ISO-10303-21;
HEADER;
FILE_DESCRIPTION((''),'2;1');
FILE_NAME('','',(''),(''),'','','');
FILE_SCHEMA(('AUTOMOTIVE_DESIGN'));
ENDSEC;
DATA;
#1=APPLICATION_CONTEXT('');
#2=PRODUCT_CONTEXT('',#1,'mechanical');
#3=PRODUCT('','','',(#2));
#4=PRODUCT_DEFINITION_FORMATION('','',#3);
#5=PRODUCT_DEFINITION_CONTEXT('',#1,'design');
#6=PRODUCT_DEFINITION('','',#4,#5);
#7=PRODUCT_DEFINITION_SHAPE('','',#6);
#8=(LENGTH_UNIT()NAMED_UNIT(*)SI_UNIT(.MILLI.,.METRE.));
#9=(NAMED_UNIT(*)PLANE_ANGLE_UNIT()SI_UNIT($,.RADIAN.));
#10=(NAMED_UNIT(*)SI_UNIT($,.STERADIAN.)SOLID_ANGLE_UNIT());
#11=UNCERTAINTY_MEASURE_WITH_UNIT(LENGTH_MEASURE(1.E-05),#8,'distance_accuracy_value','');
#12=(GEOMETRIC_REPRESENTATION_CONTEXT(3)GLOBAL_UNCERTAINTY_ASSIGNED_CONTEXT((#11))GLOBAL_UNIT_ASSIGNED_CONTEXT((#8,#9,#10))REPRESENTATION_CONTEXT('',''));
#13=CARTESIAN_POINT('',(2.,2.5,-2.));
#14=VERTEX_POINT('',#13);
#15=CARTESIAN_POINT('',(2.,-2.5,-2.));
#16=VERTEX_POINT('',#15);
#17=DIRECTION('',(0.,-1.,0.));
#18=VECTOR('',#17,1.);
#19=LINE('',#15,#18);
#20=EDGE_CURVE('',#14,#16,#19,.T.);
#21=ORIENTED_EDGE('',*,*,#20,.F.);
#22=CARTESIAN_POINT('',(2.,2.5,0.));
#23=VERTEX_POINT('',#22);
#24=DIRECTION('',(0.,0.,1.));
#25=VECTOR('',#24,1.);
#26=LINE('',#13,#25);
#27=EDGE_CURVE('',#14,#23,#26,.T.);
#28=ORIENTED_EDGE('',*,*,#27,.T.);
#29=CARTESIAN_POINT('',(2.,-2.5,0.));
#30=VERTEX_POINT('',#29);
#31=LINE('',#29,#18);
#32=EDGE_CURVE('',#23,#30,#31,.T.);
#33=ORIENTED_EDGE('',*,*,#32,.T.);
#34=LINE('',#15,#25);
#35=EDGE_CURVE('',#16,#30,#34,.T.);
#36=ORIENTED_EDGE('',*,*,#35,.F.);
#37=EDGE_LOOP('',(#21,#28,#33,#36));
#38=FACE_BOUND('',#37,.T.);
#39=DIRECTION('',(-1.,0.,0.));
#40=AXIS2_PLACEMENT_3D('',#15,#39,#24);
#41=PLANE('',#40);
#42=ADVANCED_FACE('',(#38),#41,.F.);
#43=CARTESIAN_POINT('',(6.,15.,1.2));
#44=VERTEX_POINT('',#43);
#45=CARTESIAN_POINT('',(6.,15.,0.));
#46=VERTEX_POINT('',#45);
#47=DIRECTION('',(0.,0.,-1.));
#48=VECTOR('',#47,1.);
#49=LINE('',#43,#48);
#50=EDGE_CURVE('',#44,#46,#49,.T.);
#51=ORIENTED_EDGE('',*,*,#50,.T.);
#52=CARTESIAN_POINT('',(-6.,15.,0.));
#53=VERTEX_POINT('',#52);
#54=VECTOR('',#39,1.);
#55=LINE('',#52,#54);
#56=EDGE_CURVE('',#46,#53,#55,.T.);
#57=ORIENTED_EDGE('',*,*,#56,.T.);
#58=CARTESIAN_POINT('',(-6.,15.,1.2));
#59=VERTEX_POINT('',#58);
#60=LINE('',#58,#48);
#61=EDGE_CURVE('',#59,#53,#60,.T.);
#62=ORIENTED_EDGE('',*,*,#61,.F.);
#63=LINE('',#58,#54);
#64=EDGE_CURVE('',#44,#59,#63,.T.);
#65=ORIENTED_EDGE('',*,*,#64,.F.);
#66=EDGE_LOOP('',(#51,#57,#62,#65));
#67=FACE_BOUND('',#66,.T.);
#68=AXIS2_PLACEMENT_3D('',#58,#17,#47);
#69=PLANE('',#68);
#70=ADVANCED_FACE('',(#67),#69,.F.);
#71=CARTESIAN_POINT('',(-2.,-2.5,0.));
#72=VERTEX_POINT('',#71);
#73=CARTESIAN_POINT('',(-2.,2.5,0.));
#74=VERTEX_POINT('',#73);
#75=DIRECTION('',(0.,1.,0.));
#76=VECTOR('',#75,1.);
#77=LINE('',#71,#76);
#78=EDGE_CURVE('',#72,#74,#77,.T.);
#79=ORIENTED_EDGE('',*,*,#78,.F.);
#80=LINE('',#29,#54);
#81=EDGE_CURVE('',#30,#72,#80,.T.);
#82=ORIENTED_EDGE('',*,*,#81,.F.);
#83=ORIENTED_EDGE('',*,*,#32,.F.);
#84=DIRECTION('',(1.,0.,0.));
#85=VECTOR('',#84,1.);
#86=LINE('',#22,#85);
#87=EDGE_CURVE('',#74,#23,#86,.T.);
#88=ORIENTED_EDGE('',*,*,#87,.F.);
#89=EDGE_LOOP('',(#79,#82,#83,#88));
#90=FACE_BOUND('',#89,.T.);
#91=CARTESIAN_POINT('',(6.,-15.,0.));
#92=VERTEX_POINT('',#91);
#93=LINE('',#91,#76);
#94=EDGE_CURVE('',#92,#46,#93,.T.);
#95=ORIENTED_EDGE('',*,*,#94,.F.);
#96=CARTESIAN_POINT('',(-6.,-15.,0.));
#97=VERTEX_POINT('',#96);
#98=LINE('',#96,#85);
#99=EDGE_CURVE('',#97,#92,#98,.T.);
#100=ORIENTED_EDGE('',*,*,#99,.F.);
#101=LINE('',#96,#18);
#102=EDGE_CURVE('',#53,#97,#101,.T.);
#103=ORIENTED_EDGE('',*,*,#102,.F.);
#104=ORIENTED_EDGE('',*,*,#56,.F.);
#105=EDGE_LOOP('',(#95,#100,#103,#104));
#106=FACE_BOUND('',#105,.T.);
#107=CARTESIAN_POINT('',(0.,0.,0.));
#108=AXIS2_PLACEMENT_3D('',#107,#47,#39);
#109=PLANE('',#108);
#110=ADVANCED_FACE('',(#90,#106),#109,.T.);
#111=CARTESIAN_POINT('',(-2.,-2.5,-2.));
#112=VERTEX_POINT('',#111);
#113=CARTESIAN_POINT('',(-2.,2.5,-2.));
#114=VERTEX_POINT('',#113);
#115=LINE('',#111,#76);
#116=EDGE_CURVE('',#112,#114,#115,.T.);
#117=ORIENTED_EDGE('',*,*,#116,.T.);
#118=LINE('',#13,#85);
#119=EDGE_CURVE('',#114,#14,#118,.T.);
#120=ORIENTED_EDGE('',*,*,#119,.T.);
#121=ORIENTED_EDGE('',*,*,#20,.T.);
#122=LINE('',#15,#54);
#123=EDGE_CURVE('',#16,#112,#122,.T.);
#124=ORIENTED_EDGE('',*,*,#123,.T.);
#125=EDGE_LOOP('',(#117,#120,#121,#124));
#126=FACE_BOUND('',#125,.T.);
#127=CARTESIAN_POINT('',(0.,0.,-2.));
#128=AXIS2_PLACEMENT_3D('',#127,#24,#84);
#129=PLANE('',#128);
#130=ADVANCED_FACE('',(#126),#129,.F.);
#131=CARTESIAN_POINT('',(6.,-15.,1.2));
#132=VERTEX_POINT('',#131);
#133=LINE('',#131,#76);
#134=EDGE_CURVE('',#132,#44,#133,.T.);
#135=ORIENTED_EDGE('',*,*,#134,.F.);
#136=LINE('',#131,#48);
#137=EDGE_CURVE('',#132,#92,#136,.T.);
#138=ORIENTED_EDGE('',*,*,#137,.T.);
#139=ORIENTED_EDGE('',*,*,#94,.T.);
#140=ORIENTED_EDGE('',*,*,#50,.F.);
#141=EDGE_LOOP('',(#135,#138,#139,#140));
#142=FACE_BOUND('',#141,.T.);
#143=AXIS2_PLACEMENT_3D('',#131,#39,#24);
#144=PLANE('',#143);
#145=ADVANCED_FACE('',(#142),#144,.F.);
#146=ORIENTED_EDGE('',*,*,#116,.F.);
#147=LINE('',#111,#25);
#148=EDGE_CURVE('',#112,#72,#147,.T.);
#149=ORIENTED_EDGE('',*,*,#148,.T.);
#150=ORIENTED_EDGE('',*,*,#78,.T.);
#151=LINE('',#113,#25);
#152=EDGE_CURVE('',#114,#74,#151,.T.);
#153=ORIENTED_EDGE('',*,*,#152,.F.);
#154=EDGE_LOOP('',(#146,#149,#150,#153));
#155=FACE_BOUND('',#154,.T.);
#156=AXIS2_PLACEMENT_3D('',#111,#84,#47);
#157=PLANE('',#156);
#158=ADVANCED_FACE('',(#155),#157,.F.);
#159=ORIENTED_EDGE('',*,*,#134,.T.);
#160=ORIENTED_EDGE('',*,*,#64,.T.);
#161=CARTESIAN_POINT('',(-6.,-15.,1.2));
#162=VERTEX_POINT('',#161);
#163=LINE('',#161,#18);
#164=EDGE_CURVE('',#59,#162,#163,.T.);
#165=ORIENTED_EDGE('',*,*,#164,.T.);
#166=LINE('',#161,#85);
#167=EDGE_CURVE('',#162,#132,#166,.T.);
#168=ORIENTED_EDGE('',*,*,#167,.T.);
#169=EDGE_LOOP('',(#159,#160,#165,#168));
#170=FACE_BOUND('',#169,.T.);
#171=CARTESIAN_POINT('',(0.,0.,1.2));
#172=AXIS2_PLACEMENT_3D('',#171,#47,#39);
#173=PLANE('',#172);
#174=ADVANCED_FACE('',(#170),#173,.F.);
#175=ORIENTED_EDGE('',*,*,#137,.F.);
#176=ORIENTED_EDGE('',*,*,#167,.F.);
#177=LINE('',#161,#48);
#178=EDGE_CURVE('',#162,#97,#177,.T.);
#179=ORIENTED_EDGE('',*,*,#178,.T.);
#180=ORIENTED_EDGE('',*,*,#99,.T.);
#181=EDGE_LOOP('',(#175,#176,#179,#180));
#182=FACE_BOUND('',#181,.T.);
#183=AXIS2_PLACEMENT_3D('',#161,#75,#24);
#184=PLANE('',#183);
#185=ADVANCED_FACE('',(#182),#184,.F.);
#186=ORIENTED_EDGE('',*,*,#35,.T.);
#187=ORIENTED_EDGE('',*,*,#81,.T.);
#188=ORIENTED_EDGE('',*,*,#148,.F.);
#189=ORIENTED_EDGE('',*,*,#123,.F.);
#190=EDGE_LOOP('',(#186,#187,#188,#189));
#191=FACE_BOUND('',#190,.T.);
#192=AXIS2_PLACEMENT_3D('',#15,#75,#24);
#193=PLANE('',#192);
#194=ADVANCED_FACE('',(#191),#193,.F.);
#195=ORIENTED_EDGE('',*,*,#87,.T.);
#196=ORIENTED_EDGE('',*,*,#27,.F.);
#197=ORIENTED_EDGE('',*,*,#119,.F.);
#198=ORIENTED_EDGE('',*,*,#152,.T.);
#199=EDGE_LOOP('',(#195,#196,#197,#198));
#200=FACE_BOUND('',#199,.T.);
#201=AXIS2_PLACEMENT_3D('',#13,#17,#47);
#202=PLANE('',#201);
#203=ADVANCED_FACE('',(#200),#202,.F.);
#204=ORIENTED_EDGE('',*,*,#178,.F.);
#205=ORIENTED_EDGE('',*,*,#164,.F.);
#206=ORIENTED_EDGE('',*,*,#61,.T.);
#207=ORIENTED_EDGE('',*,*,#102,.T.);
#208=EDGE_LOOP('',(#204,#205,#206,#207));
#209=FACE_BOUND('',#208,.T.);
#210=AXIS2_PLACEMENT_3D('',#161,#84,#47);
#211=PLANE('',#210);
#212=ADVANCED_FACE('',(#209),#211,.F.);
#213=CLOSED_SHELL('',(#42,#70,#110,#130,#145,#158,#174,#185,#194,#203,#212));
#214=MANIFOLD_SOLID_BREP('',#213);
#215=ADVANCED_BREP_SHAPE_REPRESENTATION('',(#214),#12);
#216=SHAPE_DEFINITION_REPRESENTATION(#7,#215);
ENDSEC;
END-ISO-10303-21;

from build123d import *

# Parameters (mm, degrees)
SKETCH_1_W      = 12
SKETCH_1_H      = 30
EXTRUDE_1_DEPTH = 1.2
SKETCH_5_W      = 4
SKETCH_5_H      = 5
EXTRUDE_3_DEPTH = 2


with BuildPart() as part:
    # 草图1 → 凸台-拉伸1 (new body)
    with BuildSketch(Plane.XY):
        Rectangle(SKETCH_1_W, SKETCH_1_H)
    extrude(amount=EXTRUDE_1_DEPTH)

    # 草图5 → 凸台-拉伸3 (add)
    with BuildSketch(Plane(origin=(0, 0, 0), x_dir=(-1, 0, 0), z_dir=(0, 0, -1))):
        Rectangle(SKETCH_5_W, SKETCH_5_H)
    extrude(amount=EXTRUDE_3_DEPTH)


solid = part.part
